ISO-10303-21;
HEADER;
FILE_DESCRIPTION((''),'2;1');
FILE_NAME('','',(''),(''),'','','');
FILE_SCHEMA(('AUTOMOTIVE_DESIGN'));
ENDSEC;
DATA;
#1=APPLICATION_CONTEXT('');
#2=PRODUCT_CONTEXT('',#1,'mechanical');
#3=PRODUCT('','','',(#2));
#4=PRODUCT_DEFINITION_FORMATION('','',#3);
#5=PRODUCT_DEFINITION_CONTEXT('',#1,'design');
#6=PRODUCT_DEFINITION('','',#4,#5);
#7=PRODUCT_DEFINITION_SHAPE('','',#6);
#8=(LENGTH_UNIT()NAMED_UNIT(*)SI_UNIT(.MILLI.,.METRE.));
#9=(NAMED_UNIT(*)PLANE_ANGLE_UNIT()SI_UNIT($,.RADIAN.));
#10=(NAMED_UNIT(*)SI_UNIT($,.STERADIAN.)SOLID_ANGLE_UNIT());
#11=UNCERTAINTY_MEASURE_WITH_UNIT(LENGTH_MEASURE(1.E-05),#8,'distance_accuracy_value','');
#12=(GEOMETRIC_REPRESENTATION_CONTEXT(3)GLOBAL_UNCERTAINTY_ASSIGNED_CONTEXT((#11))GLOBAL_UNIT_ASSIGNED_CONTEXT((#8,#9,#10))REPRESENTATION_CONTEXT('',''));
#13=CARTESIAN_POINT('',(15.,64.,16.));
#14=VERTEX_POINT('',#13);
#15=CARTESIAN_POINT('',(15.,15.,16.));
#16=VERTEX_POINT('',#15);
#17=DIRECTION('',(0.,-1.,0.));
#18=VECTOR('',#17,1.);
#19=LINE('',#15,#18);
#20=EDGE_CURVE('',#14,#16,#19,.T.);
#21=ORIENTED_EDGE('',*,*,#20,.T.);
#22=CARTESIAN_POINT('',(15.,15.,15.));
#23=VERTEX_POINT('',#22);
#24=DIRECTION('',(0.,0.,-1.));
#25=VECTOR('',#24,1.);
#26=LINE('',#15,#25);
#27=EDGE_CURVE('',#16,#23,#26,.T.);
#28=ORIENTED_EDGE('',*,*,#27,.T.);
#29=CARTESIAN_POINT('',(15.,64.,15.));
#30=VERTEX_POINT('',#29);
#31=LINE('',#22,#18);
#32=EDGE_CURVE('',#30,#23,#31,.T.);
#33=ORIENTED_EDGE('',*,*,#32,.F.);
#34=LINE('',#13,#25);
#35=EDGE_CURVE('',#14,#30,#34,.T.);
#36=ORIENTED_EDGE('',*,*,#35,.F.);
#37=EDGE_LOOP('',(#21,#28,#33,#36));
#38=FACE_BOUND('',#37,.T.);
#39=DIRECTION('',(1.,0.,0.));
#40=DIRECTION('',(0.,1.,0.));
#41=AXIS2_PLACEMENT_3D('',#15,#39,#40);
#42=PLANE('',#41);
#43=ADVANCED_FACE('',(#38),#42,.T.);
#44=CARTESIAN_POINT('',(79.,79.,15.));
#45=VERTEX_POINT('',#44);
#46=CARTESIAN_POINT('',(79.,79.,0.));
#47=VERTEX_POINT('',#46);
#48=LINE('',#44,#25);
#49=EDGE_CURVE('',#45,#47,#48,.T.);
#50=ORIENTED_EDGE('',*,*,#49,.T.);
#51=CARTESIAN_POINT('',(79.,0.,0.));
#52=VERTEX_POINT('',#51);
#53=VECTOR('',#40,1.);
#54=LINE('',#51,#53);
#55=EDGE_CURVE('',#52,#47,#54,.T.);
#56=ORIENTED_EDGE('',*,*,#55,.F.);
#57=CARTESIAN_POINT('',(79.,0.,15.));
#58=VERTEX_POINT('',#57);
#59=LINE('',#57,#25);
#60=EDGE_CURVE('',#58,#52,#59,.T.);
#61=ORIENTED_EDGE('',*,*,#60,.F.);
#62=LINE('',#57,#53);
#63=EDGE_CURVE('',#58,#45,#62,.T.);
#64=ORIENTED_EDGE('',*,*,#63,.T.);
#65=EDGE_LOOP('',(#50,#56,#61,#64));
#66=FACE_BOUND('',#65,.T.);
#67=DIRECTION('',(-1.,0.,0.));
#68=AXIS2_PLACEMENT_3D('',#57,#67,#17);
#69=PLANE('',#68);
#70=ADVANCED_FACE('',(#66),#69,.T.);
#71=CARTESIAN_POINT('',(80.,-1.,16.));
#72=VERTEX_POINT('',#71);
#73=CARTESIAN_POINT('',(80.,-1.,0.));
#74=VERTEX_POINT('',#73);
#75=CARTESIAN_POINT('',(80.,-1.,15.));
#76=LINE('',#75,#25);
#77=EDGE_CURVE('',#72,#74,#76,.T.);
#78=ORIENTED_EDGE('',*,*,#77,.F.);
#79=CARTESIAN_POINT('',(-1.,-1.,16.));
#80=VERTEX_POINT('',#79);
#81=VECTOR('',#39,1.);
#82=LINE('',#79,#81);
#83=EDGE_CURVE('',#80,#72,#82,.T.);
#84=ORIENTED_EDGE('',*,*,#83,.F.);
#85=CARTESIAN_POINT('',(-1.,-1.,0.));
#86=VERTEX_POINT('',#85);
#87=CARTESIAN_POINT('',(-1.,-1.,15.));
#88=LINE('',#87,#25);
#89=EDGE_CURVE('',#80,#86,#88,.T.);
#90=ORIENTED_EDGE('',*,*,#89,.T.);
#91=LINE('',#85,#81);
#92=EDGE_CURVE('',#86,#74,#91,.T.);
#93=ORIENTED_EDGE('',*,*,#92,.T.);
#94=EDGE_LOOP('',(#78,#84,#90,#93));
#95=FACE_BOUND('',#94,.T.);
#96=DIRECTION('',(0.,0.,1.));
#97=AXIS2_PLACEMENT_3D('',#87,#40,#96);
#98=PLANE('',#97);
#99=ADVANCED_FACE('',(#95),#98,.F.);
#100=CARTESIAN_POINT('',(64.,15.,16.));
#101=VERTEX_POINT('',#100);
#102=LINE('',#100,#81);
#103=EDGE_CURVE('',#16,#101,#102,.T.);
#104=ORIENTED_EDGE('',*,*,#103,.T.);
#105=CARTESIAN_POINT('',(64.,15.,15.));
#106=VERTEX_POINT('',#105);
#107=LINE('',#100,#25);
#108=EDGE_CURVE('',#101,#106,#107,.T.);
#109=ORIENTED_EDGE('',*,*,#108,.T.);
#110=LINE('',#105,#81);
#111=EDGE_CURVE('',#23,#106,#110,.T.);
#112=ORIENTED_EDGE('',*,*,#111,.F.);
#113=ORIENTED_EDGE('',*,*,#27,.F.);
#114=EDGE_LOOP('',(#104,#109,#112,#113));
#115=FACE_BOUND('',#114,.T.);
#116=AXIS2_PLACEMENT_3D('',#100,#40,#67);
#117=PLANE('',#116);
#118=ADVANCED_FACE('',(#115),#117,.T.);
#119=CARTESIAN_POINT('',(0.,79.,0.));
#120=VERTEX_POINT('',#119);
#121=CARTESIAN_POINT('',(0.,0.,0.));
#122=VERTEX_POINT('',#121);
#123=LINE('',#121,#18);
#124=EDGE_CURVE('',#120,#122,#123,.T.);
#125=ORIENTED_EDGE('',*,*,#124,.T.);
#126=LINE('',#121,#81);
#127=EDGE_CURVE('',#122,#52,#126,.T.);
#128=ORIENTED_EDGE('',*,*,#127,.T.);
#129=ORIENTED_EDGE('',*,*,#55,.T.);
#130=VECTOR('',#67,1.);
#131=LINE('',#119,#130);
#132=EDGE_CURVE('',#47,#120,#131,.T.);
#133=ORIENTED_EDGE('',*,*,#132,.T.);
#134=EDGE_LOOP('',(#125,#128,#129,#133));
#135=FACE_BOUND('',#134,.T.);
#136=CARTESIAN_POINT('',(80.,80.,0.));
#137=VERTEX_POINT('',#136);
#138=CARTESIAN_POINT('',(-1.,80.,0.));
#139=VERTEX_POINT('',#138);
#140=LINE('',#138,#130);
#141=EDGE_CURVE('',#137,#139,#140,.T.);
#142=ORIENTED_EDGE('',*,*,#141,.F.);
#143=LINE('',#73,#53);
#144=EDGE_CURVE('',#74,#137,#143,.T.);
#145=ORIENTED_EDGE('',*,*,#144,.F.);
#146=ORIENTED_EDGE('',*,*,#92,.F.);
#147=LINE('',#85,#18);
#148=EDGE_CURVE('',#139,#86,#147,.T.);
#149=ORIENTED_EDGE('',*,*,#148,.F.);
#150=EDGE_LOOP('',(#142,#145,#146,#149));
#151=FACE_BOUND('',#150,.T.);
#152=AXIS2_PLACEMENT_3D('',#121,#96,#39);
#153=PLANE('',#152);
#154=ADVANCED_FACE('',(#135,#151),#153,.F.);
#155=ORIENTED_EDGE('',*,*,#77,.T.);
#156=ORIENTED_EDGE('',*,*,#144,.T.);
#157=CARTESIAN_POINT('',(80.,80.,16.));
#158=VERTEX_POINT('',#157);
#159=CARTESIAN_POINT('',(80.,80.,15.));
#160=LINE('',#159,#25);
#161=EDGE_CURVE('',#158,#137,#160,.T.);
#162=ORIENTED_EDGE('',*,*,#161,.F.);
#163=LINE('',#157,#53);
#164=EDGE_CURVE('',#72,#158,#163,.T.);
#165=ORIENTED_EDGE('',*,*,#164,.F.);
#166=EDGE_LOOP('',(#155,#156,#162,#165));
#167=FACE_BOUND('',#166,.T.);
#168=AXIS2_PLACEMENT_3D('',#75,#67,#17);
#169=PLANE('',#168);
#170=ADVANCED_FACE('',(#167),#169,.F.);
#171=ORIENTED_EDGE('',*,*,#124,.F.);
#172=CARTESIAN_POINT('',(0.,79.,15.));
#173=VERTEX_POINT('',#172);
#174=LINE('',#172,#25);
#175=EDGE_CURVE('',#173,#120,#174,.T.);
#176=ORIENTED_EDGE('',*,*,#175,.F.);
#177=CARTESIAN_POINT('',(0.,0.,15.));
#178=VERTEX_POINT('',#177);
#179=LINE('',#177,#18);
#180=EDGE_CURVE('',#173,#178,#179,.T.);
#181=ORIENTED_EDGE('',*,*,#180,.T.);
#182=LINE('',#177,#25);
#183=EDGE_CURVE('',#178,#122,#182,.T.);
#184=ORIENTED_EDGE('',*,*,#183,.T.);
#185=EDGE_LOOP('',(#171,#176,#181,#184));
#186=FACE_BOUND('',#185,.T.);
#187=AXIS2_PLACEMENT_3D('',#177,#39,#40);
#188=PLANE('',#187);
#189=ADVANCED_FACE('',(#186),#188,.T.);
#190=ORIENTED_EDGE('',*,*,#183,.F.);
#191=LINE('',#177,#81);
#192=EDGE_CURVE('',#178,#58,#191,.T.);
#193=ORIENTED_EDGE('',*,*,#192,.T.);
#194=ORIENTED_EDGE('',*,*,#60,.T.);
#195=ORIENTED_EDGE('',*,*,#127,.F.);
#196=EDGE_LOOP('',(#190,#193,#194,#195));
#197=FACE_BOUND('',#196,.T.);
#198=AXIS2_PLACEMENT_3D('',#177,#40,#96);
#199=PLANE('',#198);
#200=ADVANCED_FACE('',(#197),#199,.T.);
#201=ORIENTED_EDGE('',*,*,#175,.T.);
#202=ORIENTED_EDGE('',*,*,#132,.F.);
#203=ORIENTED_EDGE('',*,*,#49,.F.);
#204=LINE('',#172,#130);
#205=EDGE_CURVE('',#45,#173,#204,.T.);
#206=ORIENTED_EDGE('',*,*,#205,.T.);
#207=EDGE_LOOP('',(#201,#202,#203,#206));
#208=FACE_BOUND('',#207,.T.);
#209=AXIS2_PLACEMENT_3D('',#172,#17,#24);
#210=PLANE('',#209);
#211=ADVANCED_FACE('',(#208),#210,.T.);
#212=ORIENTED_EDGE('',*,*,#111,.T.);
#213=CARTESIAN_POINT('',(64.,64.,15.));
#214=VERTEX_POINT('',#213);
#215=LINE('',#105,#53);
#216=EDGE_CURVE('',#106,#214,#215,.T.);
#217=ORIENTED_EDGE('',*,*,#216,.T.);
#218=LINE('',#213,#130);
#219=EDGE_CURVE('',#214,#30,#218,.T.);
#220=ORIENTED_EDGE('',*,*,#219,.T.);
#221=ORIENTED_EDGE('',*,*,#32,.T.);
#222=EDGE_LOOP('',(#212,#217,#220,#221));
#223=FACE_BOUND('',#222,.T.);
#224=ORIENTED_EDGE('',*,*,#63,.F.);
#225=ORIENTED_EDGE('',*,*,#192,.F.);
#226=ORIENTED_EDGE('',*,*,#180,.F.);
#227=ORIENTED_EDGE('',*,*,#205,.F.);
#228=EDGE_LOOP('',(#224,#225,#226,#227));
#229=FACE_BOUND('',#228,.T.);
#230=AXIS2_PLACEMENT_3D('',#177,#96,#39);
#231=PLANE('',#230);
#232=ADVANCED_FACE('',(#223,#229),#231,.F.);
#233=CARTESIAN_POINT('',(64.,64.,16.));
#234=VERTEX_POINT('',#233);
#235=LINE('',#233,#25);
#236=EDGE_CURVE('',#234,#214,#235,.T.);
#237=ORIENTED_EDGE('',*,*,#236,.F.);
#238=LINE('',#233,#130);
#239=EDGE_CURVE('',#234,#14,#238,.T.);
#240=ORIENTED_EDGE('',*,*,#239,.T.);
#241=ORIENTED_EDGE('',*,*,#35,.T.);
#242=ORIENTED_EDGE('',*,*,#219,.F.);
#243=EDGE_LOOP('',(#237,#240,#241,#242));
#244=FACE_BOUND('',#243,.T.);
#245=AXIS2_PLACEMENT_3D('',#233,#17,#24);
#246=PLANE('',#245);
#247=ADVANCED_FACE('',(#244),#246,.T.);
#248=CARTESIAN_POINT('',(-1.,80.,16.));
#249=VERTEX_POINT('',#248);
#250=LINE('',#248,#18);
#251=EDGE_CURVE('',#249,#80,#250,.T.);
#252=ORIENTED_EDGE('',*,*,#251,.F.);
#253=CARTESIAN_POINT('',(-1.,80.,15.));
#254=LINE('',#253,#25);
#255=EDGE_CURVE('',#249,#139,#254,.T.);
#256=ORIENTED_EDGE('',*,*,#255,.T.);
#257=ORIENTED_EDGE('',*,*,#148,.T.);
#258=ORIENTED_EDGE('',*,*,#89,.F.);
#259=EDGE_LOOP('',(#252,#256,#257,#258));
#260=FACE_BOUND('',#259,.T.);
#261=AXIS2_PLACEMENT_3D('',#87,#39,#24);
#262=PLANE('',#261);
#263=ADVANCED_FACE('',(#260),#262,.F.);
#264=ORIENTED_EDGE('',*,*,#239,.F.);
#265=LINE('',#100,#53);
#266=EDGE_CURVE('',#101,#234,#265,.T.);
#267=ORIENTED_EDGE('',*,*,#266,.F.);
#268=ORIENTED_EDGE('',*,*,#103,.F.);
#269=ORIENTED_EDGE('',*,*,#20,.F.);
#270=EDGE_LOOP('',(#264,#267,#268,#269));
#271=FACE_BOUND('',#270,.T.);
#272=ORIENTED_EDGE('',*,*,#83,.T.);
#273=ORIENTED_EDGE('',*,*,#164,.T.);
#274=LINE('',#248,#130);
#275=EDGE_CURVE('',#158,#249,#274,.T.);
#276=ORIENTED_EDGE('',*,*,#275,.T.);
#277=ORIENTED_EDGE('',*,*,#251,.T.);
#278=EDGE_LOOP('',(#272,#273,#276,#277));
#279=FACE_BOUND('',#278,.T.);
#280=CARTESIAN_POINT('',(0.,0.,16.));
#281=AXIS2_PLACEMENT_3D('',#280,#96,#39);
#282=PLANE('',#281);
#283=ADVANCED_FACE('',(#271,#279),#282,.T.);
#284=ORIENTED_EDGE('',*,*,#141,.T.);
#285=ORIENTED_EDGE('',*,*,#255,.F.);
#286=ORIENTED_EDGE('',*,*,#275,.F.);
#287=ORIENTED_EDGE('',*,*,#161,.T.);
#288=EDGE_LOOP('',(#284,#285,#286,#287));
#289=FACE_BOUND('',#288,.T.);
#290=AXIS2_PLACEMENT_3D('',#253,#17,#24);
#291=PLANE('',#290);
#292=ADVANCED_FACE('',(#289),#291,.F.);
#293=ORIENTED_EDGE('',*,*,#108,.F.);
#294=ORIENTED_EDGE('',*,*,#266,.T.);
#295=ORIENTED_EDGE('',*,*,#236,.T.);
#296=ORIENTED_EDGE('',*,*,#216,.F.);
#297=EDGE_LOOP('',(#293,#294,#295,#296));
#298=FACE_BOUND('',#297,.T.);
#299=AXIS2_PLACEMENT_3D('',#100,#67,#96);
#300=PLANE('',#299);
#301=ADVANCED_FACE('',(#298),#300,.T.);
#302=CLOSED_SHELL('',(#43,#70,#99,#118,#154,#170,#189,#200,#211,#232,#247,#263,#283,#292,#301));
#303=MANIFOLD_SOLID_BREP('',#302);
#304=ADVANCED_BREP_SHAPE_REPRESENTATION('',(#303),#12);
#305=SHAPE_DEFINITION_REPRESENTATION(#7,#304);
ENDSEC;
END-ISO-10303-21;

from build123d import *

# Parameters (mm, degrees)
SKETCH1_W           = 81
SKETCH1_H           = 81
SKETCH1_W_2         = 79
SKETCH1_H_2         = 79
BOSS_EXTRUDE1_DEPTH = 15
SKETCH2_W           = 81
SKETCH2_H           = 81
SKETCH2_W_2         = 49
SKETCH2_H_2         = 49
BOSS_EXTRUDE2_DEPTH = 1


with BuildPart() as part:
    # Sketch1 → Boss-Extrude1 (new body)
    with BuildSketch(Plane.XY):
        with Locations((39.5, 39.5)):
            Rectangle(SKETCH1_W, SKETCH1_H)
        with Locations((39.5, 39.5)):
            Rectangle(SKETCH1_W_2, SKETCH1_H_2, mode=Mode.SUBTRACT)
    extrude(amount=BOSS_EXTRUDE1_DEPTH)

    # Sketch2 → Boss-Extrude2 (add)
    with BuildSketch(Plane.XY.offset(15)):
        with Locations((39.5, 39.5)):
            Rectangle(SKETCH2_W, SKETCH2_H)
        with Locations((39.5, 39.5)):
            Rectangle(SKETCH2_W_2, SKETCH2_H_2, mode=Mode.SUBTRACT)
    extrude(amount=BOSS_EXTRUDE2_DEPTH)


solid = part.part
